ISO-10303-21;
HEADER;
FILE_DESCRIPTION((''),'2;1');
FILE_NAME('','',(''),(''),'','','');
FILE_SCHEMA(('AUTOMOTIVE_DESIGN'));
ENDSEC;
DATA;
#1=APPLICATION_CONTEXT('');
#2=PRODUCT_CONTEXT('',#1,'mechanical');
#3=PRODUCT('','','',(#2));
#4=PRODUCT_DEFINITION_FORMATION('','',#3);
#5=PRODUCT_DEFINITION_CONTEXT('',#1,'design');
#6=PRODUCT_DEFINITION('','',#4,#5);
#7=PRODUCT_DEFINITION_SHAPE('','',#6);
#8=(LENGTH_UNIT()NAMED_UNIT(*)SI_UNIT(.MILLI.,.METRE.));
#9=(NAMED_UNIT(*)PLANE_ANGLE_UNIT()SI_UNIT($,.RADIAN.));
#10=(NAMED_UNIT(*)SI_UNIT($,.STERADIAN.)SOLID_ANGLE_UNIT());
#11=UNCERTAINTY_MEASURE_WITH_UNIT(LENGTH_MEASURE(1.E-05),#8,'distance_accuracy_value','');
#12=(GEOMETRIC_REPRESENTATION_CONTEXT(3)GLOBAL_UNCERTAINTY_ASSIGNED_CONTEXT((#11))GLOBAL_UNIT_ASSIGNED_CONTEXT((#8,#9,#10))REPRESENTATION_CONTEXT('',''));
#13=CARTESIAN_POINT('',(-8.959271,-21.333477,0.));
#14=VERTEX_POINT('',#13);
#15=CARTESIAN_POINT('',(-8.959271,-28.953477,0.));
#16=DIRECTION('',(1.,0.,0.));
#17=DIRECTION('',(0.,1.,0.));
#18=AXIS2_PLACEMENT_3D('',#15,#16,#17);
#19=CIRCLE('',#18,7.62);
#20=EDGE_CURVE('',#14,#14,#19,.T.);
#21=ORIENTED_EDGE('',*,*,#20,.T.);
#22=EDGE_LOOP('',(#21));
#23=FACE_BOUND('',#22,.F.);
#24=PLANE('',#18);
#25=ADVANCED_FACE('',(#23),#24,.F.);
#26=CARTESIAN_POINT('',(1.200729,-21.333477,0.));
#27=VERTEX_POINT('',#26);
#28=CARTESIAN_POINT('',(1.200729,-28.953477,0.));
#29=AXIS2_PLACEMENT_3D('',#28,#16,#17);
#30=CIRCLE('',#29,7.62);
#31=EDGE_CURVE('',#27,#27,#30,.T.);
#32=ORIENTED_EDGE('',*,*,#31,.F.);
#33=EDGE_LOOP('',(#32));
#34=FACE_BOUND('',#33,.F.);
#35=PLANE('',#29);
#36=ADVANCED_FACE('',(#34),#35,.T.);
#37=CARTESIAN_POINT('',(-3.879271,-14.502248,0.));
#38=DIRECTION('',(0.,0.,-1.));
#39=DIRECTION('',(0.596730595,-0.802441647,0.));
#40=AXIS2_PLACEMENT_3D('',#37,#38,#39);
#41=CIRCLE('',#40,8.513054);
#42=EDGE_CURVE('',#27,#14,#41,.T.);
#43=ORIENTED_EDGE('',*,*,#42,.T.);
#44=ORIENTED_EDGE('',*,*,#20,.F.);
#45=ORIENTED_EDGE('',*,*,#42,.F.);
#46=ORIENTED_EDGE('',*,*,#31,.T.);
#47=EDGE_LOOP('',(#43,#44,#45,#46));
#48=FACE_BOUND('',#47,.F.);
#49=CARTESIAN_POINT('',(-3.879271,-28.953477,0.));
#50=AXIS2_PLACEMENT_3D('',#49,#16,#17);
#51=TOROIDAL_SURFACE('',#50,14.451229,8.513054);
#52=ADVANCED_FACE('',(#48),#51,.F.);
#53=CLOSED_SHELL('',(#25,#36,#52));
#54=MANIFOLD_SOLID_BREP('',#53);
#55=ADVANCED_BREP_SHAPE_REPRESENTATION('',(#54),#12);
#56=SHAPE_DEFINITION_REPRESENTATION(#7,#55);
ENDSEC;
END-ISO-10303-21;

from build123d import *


with BuildPart() as f1:
    # F0 (on Top) → F1 (revolve)
    with BuildSketch(Plane.XY):
        with BuildLine():
            ThreePointArc((1.200729, -21.333477), (-3.879271, -23.015302), (-8.959271, -21.333477))
            Line((-8.959271, -21.333477), (-8.959271, -28.953477))
            Line((-8.959271, -28.953477), (1.200729, -28.953477))
            Line((1.200729, -28.953477), (1.200729, -21.333477))
        make_face()
    revolve(axis=Axis((-3.879271, -28.953477, 0), (1, 0, 0)))


solid = f1.part
